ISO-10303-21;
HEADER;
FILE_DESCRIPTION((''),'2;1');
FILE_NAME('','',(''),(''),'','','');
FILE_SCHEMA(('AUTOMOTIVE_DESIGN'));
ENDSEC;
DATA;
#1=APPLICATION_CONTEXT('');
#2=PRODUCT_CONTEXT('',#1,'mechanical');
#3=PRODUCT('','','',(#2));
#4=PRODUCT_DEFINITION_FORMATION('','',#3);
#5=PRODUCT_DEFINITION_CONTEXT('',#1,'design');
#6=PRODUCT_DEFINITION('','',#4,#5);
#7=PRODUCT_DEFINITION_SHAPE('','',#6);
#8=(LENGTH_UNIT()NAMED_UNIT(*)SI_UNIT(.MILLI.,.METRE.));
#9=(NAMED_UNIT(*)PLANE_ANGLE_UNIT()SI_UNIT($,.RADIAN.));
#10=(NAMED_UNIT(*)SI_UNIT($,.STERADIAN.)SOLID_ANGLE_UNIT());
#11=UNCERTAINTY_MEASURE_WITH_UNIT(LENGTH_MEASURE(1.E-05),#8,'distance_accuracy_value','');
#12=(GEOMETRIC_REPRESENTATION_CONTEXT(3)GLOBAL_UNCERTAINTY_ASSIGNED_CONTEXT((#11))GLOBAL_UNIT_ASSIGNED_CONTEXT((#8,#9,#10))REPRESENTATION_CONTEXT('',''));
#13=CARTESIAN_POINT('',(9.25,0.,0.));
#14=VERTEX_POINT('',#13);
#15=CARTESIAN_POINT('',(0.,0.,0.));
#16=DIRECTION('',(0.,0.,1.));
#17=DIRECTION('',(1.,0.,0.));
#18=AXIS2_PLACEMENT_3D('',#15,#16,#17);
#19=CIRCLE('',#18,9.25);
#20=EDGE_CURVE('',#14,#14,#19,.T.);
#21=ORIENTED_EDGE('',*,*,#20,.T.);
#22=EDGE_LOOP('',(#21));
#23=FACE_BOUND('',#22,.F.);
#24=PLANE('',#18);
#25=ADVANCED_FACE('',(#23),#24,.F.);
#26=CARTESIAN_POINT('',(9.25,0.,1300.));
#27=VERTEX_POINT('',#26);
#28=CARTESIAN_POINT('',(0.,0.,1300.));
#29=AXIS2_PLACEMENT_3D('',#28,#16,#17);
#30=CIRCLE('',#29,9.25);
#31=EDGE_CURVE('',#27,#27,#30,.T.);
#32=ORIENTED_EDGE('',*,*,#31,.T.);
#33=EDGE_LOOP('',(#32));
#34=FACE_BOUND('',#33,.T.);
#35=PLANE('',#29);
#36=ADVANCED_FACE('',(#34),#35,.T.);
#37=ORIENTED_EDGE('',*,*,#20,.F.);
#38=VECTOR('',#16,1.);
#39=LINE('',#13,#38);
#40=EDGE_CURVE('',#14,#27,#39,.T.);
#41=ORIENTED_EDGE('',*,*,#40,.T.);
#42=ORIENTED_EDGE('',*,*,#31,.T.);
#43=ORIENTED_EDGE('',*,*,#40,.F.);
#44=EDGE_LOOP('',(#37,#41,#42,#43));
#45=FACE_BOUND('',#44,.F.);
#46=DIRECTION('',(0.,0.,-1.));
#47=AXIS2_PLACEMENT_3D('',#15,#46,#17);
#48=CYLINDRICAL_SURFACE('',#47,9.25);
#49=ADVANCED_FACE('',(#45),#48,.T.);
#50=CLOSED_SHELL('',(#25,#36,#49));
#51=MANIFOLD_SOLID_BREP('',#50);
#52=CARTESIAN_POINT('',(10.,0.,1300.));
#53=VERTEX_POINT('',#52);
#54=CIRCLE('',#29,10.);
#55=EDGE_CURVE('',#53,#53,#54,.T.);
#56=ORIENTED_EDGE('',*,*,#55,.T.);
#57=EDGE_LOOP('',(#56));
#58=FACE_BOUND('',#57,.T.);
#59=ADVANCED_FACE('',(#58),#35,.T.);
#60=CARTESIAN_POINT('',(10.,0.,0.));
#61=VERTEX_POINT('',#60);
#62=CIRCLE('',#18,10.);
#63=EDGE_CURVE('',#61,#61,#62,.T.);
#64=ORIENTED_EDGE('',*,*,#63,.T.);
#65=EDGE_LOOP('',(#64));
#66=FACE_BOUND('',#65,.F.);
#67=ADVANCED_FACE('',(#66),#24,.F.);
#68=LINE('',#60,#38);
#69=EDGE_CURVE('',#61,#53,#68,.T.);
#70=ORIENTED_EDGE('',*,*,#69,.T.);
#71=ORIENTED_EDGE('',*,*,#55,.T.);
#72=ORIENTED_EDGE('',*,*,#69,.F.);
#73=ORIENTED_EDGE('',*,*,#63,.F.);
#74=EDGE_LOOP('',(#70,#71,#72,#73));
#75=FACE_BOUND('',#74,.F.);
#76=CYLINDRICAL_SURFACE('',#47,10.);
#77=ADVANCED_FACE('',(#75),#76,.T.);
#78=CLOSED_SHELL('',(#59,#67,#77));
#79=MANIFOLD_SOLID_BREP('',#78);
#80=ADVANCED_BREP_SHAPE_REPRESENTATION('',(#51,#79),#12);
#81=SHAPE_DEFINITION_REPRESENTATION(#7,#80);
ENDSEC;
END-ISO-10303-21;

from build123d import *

# Parameters (mm, degrees)
CYLINDER_R        = 10
CYLINDER_DEPTH    = 1300
CYLINDER001_R     = 9.25
CYLINDER001_DEPTH = 1300


with BuildPart() as cylinder:
    # Cylinder → Cylinder (new body)
    with BuildSketch(Plane.XY):
        Circle(CYLINDER_R)
    extrude(amount=CYLINDER_DEPTH)


with BuildPart() as cylinder001:
    # Cylinder001 → Cylinder001 (new body)
    with BuildSketch(Plane.XY):
        Circle(CYLINDER001_R)
    extrude(amount=CYLINDER001_DEPTH)


solid = Compound([cylinder.part, cylinder001.part])
